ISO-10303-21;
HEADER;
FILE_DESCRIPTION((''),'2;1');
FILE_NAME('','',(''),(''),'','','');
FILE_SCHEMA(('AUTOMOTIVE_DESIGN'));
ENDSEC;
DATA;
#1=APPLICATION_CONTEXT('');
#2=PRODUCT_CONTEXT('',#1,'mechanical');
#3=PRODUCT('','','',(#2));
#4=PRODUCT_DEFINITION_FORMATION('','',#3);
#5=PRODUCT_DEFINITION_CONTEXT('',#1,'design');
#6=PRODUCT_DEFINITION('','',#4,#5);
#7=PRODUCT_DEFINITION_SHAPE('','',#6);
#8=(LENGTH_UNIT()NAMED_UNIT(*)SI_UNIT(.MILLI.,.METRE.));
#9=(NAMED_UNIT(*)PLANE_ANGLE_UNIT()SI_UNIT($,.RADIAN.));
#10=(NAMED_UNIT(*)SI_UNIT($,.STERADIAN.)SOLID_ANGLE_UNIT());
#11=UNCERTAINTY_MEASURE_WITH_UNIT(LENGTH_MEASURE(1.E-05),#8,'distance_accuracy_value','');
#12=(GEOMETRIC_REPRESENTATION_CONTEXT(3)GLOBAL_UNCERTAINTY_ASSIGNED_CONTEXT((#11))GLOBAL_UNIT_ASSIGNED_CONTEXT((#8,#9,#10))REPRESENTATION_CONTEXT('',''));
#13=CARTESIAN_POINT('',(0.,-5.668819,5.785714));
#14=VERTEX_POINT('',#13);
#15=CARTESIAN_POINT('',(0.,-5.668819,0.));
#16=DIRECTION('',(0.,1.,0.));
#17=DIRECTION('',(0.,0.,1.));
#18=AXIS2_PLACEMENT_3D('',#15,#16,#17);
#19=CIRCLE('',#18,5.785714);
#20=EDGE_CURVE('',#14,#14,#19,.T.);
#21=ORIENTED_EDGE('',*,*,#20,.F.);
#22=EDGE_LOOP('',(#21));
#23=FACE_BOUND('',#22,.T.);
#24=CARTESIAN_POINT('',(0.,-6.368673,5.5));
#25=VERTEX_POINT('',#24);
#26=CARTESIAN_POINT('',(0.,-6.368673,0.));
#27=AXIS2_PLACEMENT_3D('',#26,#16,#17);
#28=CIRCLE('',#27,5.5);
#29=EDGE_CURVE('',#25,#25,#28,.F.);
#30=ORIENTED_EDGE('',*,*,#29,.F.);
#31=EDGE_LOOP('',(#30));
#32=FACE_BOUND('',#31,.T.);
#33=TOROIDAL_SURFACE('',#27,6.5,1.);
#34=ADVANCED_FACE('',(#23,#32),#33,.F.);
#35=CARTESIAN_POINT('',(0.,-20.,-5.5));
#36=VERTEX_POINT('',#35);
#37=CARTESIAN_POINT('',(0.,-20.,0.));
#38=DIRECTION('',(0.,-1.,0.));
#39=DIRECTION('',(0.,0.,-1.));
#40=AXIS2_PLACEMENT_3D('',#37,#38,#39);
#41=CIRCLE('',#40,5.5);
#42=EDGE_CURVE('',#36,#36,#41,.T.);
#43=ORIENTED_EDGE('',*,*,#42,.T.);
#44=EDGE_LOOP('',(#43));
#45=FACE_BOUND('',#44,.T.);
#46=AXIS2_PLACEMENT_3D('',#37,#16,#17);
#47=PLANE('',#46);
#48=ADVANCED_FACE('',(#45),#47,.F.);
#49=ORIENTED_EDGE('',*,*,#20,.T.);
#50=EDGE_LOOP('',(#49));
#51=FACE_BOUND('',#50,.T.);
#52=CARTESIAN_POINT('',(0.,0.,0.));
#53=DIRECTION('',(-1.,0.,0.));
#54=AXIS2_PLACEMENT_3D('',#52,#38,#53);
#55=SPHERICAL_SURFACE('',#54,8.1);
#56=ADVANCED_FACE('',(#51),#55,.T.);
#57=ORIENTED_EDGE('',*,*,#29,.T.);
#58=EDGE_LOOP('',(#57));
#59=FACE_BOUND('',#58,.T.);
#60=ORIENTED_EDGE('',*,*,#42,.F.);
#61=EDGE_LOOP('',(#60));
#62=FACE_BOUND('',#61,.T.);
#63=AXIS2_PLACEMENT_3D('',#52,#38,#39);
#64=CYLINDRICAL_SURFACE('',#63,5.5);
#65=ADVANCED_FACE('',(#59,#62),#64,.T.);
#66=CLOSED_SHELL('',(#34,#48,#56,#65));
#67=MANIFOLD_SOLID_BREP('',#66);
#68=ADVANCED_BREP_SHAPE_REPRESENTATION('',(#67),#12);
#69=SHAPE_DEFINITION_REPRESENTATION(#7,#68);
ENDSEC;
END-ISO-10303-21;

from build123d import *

# Parameters (mm, degrees)
FILLET1_R = 1


with BuildPart() as part:
    # Sketch1 → Revolve1 (revolve)
    with BuildSketch(Plane.XY):
        with BuildLine():
            ThreePointArc((0, 8.1), (-7.542415486, 2.953297924), (-5.5, -5.946427499))
            Line((-5.5, -5.946427499), (-5.5, -20))
            Line((-5.5, -20), (0, -20))
            Line((0, -20), (0, 8.1))
        make_face()
    revolve(axis=Axis((0, 0, 0), (0, 1, 0)))

    # Fillet1
    fillet1_edges = [part.edges().sort_by_distance(p)[0] for p in [
        (5.5, -5.946427499, 0),
    ]]
    fillet(fillet1_edges, radius=FILLET1_R)


solid = part.part
